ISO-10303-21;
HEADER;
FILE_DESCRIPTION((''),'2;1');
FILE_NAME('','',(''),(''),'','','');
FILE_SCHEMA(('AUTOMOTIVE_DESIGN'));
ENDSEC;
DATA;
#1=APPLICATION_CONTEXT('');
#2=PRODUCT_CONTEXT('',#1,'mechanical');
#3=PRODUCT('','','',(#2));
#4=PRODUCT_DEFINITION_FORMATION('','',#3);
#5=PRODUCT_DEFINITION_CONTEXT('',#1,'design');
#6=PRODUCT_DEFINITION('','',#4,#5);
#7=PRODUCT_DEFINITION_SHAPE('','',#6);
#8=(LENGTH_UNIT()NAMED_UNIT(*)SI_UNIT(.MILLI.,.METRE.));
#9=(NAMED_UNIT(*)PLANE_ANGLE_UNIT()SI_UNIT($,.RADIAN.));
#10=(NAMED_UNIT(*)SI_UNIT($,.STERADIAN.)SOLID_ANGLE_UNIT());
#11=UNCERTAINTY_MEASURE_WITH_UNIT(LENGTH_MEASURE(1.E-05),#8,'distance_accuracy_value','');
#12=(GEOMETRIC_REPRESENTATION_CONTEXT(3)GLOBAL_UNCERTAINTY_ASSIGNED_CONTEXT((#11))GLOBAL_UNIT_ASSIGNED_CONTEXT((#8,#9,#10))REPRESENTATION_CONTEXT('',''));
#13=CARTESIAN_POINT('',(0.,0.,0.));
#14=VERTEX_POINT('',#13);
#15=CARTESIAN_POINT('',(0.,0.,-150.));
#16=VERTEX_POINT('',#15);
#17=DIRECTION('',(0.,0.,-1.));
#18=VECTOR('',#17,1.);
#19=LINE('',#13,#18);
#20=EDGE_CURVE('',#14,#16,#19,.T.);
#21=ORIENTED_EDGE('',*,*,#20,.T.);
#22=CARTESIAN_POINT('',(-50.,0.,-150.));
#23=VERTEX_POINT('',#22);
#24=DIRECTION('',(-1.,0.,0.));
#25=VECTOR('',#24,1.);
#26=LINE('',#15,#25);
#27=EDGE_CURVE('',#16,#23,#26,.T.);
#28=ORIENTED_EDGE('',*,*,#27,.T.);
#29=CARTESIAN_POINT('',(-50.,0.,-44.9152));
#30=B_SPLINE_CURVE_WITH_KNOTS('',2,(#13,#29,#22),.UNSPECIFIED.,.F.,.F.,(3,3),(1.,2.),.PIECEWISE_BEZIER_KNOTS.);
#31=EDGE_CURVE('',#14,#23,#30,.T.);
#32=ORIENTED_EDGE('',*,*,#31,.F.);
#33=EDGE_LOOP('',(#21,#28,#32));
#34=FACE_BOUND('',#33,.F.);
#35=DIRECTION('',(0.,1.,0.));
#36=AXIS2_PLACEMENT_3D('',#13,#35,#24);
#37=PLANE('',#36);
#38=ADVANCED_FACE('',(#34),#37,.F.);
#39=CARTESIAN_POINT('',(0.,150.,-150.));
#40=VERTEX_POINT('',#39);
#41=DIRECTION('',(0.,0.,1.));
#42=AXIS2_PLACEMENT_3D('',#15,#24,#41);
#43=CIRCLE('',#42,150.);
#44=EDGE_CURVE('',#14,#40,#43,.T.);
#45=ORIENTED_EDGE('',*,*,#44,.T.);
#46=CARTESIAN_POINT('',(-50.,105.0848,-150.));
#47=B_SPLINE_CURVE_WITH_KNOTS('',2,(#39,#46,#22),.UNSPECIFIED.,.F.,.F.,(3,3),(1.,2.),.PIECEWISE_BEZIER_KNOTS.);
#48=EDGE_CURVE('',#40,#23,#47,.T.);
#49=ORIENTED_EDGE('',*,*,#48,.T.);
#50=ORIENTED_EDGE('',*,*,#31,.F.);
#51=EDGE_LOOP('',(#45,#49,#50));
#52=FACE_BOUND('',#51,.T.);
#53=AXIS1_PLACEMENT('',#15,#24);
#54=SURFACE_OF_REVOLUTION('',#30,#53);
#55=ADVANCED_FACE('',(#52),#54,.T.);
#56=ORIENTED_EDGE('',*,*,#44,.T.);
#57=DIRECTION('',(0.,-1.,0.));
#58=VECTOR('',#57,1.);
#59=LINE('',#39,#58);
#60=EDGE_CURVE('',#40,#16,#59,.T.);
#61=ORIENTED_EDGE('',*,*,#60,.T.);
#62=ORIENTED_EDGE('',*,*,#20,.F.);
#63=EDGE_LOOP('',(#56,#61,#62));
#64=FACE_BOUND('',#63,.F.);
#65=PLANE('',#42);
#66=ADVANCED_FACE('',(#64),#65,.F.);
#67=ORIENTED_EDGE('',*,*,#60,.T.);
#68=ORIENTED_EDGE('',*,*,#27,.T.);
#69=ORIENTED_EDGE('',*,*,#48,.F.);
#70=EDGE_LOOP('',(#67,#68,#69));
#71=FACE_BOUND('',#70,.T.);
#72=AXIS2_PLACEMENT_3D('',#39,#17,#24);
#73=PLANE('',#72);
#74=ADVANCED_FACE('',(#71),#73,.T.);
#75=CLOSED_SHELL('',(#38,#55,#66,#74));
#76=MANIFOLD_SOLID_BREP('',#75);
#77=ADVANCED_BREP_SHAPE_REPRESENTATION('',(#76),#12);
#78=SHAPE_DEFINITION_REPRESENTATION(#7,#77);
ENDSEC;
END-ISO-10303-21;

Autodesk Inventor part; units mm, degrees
ref_plane "YZ Plane" through (0, 0, 0) normal (1, 0, 0) x (0, 1, 0)
ref_plane "XZ Plane" through (0, 0, 0) normal (0, 1, 0) x (-1, 0, 0)
ref_plane "XY Plane" through (0, 0, 0) normal (0, 0, 1) x (1, 0, 0)
sketch "Sketch1" plane through (0, 0, 0) normal (0, 1, 0) x (-1, 0, 0)
  line L0 (0, 0) -> (0, -150)
  line L1 (0, -150) -> (50, -150)
  line L2 (0, 0) -> (50, -44.9152) construction
  line L3 (50, -44.9152) -> (50, -150) construction
  spline S0 degree 2 poles (0, 0) (50, -44.9152) (50, -150) knots 1 1 1 2 2 2
  dimension "d0" = 150
  dimension "d2" = 50
revolve "Revolution1" add sketch "Sketch1" angle 90 about axis through (0, 0, -150) along (-1, 0, 0)
properties part number "3DPrintShapeCornerSimplified"
